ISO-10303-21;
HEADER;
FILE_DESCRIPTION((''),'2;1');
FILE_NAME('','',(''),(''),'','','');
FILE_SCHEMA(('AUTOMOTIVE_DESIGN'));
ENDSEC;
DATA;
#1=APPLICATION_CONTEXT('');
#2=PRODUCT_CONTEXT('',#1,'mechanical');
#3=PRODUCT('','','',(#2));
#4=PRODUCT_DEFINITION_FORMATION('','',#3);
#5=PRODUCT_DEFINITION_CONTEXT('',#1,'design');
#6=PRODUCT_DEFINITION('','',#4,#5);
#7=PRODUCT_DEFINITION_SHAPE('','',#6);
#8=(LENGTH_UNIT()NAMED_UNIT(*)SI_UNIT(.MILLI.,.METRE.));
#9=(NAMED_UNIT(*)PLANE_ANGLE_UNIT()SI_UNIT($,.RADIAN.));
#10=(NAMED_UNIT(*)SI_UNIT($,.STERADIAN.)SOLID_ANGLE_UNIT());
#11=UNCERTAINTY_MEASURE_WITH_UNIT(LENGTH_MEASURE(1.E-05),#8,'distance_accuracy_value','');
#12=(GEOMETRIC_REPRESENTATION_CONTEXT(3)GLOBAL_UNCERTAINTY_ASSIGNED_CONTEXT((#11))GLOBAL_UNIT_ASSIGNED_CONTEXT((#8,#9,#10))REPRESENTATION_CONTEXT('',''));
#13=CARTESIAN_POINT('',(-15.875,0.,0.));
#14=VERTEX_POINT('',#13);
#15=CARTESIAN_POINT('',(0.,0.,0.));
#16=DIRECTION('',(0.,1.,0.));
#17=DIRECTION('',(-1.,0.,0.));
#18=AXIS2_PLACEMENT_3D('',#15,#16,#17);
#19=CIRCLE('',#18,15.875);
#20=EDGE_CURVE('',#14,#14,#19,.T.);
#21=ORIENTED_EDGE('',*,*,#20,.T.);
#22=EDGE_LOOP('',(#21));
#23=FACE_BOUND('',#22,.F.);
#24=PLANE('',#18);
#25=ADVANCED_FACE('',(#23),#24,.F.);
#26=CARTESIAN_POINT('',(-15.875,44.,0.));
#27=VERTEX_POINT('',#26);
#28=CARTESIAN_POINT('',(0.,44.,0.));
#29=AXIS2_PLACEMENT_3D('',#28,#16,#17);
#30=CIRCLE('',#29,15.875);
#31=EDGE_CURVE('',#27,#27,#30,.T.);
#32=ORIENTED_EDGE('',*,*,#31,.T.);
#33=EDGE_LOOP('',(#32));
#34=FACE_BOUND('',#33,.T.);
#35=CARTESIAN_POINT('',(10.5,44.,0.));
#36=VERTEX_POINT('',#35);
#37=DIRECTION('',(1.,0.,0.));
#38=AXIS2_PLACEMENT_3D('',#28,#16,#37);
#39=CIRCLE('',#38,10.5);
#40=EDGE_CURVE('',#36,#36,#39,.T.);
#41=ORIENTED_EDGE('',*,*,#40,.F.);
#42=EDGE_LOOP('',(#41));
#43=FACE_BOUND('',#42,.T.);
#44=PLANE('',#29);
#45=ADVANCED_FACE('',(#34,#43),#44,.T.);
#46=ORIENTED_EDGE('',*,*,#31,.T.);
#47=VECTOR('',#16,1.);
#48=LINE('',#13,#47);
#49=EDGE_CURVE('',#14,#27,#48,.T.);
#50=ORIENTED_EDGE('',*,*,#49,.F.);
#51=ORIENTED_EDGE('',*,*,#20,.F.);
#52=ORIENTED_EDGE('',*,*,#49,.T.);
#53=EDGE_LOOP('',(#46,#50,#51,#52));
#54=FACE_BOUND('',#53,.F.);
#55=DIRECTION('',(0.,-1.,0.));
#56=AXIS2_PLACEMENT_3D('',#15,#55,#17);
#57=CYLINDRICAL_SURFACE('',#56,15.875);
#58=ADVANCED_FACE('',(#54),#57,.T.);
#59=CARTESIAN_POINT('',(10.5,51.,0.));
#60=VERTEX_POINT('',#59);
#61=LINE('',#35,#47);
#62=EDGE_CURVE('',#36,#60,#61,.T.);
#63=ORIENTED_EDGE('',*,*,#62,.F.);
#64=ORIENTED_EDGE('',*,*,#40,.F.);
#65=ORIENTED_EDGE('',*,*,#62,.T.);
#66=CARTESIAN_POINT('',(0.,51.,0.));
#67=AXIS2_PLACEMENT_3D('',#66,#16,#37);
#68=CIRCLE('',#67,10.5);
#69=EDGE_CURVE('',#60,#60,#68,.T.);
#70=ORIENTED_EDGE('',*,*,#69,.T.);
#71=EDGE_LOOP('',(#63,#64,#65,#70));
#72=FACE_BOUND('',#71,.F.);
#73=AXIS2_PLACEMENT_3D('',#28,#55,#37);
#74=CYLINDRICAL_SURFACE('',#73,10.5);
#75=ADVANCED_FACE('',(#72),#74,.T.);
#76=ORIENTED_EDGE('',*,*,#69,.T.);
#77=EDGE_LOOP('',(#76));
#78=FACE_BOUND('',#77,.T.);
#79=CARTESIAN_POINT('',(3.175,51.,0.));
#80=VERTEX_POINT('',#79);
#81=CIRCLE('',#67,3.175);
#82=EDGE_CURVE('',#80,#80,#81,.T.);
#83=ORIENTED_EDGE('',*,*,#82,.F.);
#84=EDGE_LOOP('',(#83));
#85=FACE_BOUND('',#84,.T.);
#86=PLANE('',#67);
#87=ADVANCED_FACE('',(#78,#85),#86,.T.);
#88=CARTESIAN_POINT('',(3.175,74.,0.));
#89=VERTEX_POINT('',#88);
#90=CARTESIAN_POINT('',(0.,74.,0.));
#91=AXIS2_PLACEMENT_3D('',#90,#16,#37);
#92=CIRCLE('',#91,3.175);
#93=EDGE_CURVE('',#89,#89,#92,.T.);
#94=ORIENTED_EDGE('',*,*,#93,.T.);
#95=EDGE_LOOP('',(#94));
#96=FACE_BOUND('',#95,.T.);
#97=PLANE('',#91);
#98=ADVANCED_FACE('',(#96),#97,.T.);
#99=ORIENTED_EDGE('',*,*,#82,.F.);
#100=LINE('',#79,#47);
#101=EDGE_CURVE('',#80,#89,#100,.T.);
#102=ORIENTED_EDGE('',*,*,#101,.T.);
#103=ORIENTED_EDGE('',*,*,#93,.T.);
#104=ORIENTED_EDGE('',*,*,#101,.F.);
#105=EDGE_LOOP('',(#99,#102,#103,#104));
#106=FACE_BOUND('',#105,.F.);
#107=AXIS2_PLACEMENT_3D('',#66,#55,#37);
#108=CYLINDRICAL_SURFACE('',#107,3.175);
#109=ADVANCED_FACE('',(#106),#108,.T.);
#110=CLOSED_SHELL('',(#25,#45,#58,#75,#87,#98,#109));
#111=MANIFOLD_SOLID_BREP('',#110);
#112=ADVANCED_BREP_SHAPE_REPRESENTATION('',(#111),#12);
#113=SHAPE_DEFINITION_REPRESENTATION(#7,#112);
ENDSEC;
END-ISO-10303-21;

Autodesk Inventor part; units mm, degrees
ref_plane "YZ Plane" through (0, 0, 0) normal (1, 0, 0) x (0, 1, 0)
ref_plane "XZ Plane" through (0, 0, 0) normal (0, 1, 0) x (-1, 0, 0)
ref_plane "XY Plane" through (0, 0, 0) normal (0, 0, 1) x (1, 0, 0)
sketch "Sketch1" plane through (0, 0, 0) normal (0, 1, 0) x (-1, 0, 0)
  circle A0 centre (0, 0) radius 15.875
extrude "Extrusion1" add sketch "Sketch1" along normal blind 44
sketch "Sketch2" plane through (0, 44, 0) normal (0, 1, 0) x (1, 0, 0)
  circle A0 centre (0, 0) radius 10.5
  dimension "d2" = 21
extrude "Extrusion2" add sketch "Sketch2" along normal blind 7
sketch "Sketch3" plane through (0, 51, 0) normal (0, 1, 0) x (1, 0, 0)
  circle A0 centre (0, 0) radius 3.175
extrude "Extrusion3" add sketch "Sketch3" along normal blind 23
sketch "Sketch4" plane through (0, 0, 0) normal (0, -1, 0) x (1, 0, 0)
  point P0 (0, 0)
properties part number "dc"
